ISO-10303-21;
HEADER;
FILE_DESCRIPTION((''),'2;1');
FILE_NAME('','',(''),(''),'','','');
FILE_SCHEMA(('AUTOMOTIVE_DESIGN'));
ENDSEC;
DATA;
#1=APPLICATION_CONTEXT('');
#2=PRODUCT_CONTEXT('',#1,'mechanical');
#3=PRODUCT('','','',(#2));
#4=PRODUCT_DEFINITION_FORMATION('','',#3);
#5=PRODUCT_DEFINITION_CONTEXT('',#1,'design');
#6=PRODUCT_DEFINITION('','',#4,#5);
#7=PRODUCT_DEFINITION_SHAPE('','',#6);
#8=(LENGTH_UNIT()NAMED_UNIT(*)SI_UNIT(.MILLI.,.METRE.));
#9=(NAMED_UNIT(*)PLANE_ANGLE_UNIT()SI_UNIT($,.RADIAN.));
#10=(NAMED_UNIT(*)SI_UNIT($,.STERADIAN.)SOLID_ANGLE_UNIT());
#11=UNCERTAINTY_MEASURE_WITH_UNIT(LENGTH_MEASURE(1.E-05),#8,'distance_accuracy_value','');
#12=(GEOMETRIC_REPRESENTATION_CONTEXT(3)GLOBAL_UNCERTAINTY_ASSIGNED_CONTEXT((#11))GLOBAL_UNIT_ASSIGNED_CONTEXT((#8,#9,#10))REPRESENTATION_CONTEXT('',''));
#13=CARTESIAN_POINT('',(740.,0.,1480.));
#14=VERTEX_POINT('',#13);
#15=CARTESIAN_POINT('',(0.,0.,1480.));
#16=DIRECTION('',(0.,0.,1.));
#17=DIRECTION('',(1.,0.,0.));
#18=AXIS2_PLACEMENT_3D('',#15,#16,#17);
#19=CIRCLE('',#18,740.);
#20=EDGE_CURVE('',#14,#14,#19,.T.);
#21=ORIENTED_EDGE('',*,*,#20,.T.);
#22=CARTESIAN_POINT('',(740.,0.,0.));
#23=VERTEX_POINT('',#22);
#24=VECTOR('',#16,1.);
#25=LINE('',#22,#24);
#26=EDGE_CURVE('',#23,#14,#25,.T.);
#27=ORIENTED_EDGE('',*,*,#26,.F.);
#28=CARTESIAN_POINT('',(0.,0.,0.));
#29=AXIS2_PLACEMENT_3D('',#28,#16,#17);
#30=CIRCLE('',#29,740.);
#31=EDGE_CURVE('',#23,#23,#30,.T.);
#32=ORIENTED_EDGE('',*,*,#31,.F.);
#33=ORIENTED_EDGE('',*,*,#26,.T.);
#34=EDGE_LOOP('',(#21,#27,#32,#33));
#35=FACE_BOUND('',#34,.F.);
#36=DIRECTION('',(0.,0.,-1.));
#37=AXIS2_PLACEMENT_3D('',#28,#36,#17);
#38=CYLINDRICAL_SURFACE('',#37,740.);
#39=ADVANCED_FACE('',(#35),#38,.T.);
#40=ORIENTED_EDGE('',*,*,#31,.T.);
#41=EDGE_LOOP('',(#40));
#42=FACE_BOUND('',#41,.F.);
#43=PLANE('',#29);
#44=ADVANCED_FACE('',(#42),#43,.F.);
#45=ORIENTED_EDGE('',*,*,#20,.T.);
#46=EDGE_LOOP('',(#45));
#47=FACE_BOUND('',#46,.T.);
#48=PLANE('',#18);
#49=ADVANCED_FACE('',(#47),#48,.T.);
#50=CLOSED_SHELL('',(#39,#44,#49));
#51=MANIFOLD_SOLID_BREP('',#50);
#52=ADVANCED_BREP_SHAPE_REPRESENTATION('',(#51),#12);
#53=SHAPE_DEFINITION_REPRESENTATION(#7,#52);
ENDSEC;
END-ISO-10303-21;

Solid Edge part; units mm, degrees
sketch "Sketch1" plane through (0, 0, 0) normal (0, 0, 1) x (1, 0, 0)
  circle A0 centre (0, 0) radius 740
extrude "Protrusion1" add sketch "Sketch1" along normal blind 1480
properties material "Glass, general industrial"
